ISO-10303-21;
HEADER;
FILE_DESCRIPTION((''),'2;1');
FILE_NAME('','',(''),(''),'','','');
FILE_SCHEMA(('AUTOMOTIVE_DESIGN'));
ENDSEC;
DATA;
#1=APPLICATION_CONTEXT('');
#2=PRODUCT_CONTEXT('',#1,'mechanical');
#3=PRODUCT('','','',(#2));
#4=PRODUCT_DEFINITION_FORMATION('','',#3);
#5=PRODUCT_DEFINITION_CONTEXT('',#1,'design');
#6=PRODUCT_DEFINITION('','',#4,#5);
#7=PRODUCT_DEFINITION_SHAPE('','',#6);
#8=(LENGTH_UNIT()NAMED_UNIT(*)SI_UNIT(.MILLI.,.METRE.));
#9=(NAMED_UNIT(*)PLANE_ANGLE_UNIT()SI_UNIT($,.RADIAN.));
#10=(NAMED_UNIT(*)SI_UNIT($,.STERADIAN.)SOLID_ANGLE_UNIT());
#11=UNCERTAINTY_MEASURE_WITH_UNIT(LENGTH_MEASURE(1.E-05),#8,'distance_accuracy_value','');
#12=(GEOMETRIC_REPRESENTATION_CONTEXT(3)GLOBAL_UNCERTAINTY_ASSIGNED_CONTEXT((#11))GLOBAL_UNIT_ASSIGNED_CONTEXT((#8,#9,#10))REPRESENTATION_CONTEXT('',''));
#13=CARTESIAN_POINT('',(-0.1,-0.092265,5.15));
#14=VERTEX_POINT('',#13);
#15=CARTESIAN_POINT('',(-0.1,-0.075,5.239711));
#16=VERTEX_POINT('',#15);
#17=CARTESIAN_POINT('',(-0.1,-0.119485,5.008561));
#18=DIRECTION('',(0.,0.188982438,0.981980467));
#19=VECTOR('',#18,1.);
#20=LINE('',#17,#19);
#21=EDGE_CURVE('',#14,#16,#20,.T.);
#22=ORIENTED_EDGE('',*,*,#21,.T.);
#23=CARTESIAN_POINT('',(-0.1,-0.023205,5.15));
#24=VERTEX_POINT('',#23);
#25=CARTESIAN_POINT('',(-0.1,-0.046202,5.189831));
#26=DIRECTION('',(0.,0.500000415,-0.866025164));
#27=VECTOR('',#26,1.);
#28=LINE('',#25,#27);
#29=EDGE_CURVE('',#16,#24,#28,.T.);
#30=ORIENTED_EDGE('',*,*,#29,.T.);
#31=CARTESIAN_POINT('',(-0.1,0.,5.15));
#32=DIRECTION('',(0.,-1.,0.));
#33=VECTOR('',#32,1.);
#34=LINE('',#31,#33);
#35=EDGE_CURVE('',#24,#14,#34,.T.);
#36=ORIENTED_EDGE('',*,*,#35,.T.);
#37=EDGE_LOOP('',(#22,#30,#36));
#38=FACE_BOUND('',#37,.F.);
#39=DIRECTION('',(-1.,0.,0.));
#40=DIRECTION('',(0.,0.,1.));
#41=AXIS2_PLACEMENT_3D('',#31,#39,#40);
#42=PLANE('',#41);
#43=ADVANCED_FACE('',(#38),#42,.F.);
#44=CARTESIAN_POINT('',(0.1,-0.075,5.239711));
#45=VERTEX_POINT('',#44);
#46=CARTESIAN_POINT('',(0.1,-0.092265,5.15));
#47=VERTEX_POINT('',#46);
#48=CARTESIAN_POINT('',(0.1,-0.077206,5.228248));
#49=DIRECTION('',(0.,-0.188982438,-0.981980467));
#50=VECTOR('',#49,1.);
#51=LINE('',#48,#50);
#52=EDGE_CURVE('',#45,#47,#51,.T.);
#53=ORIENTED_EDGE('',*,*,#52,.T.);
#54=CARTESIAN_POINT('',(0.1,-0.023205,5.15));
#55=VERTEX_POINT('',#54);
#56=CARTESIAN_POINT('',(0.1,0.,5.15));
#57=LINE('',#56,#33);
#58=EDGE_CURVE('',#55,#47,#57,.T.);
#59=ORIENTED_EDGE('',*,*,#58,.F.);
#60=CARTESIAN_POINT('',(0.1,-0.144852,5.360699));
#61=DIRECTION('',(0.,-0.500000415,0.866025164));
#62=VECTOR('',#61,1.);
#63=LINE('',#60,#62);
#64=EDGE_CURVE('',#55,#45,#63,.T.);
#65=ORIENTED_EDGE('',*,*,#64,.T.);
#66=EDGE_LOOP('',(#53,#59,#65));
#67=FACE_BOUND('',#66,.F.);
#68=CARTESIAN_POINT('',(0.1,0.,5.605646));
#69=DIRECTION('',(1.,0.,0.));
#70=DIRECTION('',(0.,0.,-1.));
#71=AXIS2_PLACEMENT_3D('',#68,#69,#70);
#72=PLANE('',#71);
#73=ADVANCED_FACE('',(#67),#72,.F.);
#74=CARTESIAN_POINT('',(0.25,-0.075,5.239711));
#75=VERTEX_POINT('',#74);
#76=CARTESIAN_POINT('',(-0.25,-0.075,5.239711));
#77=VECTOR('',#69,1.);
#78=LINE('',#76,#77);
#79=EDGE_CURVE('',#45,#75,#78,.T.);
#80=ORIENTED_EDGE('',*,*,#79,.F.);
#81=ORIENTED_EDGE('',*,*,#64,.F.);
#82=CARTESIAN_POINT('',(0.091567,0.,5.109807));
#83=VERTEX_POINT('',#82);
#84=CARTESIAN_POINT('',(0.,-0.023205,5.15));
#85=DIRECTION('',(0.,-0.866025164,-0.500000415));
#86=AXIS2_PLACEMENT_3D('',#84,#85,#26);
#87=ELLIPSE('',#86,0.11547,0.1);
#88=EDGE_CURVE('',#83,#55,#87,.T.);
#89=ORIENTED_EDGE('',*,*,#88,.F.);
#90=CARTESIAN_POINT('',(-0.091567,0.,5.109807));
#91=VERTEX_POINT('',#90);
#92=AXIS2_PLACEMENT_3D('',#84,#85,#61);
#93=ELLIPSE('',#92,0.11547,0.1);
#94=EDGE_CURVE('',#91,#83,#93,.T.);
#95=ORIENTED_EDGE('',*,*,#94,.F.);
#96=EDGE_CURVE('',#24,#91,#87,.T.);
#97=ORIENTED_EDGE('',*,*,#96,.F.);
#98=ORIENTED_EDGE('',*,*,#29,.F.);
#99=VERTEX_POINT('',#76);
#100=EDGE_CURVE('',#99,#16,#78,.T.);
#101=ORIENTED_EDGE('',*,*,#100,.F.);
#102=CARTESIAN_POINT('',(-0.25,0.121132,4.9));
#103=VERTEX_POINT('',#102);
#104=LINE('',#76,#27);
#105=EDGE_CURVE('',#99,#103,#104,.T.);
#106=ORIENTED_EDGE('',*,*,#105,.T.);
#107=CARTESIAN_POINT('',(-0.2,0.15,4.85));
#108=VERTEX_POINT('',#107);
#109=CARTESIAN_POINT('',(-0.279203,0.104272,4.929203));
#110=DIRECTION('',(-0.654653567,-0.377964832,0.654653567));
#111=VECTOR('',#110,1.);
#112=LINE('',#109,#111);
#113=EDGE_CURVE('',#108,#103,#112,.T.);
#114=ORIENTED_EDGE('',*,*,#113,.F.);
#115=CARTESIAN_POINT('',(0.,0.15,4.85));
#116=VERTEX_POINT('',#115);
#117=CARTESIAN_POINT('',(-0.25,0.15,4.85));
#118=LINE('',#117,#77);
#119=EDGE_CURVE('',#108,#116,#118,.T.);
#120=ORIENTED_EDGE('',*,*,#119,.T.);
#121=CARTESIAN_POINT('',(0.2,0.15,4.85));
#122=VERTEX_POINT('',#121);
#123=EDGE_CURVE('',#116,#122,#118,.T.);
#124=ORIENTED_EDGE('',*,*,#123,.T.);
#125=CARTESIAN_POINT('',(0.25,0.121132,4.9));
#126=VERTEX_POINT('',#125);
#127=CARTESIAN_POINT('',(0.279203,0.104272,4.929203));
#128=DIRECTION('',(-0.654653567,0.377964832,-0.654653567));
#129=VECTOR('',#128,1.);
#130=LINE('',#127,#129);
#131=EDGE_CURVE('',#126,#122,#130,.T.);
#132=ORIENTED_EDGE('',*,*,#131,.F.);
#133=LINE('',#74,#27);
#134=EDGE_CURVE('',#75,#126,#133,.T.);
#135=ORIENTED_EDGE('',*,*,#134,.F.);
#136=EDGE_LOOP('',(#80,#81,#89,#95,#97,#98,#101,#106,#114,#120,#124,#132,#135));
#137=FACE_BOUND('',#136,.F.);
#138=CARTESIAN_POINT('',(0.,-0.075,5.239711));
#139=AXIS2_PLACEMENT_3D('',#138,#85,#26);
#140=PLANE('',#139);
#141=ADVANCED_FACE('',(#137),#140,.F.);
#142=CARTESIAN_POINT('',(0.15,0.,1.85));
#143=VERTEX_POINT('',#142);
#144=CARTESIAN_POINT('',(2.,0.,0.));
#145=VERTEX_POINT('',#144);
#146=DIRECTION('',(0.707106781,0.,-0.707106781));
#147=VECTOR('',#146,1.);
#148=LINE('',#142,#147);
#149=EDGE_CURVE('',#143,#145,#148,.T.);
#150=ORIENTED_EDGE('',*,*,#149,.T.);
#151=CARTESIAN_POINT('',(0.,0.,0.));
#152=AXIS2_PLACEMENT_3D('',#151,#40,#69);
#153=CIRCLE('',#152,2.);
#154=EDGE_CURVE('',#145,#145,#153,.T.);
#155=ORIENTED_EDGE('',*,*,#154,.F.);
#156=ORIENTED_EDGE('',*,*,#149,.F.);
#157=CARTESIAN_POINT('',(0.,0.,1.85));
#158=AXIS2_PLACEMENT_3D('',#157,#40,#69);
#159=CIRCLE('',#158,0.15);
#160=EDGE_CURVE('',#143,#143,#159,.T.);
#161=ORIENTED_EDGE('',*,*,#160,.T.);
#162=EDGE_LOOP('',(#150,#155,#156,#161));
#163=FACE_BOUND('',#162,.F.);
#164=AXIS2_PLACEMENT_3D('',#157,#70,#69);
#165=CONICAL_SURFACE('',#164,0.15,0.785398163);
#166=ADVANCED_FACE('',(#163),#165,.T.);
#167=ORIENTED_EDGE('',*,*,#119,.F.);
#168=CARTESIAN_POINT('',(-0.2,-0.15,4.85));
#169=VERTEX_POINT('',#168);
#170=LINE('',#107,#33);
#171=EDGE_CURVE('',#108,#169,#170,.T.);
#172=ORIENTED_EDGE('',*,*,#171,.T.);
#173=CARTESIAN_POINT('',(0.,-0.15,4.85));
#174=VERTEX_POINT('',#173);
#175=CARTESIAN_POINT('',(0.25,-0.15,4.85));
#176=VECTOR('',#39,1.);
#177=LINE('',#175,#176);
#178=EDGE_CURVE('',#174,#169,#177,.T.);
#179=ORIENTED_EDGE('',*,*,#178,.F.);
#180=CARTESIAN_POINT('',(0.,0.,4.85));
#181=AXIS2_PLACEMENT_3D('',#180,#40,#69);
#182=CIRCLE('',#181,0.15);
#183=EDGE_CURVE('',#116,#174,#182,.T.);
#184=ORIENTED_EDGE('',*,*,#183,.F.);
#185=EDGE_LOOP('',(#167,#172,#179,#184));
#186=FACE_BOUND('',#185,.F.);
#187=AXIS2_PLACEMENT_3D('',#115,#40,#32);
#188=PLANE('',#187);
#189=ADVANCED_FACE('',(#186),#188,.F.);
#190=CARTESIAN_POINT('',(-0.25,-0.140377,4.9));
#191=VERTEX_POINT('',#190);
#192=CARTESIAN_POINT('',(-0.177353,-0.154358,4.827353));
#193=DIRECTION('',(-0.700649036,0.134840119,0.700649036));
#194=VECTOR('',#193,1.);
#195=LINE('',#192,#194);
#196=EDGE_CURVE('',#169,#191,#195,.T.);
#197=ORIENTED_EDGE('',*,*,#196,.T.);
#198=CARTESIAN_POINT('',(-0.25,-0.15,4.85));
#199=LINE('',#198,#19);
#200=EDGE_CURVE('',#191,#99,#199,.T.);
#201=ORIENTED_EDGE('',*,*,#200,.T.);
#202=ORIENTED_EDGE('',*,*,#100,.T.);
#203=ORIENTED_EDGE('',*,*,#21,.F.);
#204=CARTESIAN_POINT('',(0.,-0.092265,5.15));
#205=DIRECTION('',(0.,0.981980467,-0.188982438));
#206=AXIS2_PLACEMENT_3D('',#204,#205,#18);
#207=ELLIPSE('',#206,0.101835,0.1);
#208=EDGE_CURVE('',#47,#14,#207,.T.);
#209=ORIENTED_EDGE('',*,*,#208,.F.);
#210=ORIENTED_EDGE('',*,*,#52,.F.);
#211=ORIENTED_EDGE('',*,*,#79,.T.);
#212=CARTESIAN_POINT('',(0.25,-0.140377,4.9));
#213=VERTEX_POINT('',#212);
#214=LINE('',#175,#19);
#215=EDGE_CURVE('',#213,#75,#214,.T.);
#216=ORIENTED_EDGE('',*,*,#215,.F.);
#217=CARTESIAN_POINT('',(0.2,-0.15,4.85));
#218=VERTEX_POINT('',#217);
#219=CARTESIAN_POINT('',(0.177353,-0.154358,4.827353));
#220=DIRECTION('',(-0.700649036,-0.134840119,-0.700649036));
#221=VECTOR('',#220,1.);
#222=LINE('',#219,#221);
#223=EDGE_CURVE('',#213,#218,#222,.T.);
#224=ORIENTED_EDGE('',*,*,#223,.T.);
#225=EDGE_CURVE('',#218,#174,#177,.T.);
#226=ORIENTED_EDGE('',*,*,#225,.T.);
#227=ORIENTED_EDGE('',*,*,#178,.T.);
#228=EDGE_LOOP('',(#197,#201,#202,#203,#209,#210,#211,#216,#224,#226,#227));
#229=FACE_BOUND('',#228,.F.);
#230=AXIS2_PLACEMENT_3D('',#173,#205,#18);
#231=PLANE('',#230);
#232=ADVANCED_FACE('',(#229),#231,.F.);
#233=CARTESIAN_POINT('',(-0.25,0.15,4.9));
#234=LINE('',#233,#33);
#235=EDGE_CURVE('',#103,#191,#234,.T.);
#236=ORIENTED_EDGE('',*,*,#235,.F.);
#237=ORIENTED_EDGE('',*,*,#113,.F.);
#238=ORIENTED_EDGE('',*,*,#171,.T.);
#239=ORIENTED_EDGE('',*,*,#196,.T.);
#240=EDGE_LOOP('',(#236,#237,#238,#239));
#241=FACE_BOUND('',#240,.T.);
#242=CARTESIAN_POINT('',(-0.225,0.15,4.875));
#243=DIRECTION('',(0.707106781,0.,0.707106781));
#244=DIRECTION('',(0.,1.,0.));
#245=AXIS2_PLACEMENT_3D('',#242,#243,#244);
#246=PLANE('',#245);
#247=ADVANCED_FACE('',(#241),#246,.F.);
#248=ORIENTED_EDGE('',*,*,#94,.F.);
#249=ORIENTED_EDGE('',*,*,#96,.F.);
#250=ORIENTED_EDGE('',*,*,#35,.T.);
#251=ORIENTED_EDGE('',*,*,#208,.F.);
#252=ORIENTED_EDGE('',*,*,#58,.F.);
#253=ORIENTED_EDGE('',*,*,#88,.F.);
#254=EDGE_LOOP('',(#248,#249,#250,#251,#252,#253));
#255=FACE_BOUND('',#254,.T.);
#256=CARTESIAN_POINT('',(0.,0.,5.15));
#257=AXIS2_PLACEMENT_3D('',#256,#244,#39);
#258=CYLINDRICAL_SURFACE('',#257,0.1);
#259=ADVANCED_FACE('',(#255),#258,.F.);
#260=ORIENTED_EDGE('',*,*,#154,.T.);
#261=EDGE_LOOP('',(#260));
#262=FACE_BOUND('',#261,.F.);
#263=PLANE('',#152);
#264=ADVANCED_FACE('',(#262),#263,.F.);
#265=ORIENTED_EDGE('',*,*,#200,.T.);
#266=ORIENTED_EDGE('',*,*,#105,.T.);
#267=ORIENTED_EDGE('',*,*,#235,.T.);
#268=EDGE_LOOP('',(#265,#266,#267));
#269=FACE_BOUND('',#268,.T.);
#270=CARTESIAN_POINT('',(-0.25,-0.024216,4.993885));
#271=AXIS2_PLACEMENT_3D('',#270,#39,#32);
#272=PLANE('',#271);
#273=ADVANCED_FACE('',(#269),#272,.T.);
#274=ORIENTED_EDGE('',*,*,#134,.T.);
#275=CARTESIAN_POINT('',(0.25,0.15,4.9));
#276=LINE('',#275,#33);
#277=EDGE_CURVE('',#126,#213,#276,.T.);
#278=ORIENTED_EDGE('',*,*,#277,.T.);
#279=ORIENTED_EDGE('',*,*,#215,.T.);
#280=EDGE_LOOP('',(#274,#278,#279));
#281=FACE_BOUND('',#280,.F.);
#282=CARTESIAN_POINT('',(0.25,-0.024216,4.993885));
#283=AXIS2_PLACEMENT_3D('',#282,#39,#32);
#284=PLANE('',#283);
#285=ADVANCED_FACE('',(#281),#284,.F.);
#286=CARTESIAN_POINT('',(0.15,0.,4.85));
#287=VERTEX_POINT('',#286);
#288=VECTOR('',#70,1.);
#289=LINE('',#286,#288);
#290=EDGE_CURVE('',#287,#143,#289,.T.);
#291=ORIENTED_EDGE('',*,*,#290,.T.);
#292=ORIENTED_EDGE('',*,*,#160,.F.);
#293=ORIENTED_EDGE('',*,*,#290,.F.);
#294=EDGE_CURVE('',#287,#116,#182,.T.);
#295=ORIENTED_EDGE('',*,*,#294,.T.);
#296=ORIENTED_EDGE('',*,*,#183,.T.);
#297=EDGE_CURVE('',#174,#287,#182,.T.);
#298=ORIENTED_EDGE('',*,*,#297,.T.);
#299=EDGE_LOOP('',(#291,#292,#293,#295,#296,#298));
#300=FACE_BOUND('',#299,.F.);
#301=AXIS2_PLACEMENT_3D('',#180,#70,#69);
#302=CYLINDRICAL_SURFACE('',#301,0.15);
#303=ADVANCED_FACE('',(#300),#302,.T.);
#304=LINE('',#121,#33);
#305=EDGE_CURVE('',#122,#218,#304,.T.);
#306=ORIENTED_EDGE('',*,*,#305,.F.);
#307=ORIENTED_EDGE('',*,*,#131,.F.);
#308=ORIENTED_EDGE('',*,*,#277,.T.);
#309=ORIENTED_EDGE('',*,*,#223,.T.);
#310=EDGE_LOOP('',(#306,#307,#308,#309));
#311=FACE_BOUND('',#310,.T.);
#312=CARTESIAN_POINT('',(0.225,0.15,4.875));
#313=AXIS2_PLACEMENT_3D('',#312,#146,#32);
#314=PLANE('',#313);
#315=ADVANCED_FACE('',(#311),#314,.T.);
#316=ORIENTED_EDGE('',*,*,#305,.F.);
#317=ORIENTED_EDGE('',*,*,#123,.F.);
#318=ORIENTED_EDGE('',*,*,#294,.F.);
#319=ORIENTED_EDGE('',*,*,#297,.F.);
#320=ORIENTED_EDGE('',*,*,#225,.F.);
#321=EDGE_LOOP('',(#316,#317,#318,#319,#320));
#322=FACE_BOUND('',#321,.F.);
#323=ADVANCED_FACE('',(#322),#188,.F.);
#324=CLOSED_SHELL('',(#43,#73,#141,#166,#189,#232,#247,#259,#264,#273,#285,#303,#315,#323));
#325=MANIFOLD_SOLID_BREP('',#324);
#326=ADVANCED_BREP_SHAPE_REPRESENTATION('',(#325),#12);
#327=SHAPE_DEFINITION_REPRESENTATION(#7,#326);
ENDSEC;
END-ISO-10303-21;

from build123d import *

# Parameters (mm, degrees)
PAD_DEPTH         = 0.25
POCKET_DEPTH      = 2.001
POCKET_DEPTH_BACK = 2.001
CHAMFER_SIZE      = 0.05
CHAMFER001_SIZE   = 0.05


with BuildPart() as part:
    # Sketch → Revolution (revolve)
    with BuildSketch(Plane.XZ):
        Polygon((0, 4.85), (0.15, 4.85), (0.15, 1.85), (2, 0), (0, 0), align=None)
    revolve(axis=Axis((0, 0, 0), (0, 0, 1)))

    # Sketch010 → Pad (new body, symmetric)
    with BuildSketch(Plane.YZ):
        Polygon((0.15, 4.85), (-0.15, 4.85), (-0.075, 5.239711), align=None)
    extrude(amount=PAD_DEPTH, both=True)

    # Sketch011 → Pocket (cut, two sides)
    with BuildSketch(Plane.XZ) as pocket_sk:
        with BuildLine():
            ThreePointArc((-0.1, 5.15), (0, 5.05), (0.1, 5.15))
            Line((0.1, 5.605646), (0.1, 5.15))
            Line((-0.1, 5.605646), (0.1, 5.605646))
            Line((-0.1, 5.15), (-0.1, 5.605646))
        make_face()
    extrude(amount=-POCKET_DEPTH, mode=Mode.SUBTRACT)
    extrude(pocket_sk.sketch, amount=POCKET_DEPTH_BACK, mode=Mode.SUBTRACT)

    # Chamfer
    chamfer_edges = [part.edges().sort_by_distance(p)[0] for p in [
        (0.25, 0, 4.85),
    ]]
    chamfer(chamfer_edges, length=CHAMFER_SIZE)

    # Chamfer001
    chamfer001_edges = [part.edges().sort_by_distance(p)[0] for p in [
        (-0.25, 0, 4.85),
    ]]
    chamfer(chamfer001_edges, length=CHAMFER001_SIZE)


solid = part.part
